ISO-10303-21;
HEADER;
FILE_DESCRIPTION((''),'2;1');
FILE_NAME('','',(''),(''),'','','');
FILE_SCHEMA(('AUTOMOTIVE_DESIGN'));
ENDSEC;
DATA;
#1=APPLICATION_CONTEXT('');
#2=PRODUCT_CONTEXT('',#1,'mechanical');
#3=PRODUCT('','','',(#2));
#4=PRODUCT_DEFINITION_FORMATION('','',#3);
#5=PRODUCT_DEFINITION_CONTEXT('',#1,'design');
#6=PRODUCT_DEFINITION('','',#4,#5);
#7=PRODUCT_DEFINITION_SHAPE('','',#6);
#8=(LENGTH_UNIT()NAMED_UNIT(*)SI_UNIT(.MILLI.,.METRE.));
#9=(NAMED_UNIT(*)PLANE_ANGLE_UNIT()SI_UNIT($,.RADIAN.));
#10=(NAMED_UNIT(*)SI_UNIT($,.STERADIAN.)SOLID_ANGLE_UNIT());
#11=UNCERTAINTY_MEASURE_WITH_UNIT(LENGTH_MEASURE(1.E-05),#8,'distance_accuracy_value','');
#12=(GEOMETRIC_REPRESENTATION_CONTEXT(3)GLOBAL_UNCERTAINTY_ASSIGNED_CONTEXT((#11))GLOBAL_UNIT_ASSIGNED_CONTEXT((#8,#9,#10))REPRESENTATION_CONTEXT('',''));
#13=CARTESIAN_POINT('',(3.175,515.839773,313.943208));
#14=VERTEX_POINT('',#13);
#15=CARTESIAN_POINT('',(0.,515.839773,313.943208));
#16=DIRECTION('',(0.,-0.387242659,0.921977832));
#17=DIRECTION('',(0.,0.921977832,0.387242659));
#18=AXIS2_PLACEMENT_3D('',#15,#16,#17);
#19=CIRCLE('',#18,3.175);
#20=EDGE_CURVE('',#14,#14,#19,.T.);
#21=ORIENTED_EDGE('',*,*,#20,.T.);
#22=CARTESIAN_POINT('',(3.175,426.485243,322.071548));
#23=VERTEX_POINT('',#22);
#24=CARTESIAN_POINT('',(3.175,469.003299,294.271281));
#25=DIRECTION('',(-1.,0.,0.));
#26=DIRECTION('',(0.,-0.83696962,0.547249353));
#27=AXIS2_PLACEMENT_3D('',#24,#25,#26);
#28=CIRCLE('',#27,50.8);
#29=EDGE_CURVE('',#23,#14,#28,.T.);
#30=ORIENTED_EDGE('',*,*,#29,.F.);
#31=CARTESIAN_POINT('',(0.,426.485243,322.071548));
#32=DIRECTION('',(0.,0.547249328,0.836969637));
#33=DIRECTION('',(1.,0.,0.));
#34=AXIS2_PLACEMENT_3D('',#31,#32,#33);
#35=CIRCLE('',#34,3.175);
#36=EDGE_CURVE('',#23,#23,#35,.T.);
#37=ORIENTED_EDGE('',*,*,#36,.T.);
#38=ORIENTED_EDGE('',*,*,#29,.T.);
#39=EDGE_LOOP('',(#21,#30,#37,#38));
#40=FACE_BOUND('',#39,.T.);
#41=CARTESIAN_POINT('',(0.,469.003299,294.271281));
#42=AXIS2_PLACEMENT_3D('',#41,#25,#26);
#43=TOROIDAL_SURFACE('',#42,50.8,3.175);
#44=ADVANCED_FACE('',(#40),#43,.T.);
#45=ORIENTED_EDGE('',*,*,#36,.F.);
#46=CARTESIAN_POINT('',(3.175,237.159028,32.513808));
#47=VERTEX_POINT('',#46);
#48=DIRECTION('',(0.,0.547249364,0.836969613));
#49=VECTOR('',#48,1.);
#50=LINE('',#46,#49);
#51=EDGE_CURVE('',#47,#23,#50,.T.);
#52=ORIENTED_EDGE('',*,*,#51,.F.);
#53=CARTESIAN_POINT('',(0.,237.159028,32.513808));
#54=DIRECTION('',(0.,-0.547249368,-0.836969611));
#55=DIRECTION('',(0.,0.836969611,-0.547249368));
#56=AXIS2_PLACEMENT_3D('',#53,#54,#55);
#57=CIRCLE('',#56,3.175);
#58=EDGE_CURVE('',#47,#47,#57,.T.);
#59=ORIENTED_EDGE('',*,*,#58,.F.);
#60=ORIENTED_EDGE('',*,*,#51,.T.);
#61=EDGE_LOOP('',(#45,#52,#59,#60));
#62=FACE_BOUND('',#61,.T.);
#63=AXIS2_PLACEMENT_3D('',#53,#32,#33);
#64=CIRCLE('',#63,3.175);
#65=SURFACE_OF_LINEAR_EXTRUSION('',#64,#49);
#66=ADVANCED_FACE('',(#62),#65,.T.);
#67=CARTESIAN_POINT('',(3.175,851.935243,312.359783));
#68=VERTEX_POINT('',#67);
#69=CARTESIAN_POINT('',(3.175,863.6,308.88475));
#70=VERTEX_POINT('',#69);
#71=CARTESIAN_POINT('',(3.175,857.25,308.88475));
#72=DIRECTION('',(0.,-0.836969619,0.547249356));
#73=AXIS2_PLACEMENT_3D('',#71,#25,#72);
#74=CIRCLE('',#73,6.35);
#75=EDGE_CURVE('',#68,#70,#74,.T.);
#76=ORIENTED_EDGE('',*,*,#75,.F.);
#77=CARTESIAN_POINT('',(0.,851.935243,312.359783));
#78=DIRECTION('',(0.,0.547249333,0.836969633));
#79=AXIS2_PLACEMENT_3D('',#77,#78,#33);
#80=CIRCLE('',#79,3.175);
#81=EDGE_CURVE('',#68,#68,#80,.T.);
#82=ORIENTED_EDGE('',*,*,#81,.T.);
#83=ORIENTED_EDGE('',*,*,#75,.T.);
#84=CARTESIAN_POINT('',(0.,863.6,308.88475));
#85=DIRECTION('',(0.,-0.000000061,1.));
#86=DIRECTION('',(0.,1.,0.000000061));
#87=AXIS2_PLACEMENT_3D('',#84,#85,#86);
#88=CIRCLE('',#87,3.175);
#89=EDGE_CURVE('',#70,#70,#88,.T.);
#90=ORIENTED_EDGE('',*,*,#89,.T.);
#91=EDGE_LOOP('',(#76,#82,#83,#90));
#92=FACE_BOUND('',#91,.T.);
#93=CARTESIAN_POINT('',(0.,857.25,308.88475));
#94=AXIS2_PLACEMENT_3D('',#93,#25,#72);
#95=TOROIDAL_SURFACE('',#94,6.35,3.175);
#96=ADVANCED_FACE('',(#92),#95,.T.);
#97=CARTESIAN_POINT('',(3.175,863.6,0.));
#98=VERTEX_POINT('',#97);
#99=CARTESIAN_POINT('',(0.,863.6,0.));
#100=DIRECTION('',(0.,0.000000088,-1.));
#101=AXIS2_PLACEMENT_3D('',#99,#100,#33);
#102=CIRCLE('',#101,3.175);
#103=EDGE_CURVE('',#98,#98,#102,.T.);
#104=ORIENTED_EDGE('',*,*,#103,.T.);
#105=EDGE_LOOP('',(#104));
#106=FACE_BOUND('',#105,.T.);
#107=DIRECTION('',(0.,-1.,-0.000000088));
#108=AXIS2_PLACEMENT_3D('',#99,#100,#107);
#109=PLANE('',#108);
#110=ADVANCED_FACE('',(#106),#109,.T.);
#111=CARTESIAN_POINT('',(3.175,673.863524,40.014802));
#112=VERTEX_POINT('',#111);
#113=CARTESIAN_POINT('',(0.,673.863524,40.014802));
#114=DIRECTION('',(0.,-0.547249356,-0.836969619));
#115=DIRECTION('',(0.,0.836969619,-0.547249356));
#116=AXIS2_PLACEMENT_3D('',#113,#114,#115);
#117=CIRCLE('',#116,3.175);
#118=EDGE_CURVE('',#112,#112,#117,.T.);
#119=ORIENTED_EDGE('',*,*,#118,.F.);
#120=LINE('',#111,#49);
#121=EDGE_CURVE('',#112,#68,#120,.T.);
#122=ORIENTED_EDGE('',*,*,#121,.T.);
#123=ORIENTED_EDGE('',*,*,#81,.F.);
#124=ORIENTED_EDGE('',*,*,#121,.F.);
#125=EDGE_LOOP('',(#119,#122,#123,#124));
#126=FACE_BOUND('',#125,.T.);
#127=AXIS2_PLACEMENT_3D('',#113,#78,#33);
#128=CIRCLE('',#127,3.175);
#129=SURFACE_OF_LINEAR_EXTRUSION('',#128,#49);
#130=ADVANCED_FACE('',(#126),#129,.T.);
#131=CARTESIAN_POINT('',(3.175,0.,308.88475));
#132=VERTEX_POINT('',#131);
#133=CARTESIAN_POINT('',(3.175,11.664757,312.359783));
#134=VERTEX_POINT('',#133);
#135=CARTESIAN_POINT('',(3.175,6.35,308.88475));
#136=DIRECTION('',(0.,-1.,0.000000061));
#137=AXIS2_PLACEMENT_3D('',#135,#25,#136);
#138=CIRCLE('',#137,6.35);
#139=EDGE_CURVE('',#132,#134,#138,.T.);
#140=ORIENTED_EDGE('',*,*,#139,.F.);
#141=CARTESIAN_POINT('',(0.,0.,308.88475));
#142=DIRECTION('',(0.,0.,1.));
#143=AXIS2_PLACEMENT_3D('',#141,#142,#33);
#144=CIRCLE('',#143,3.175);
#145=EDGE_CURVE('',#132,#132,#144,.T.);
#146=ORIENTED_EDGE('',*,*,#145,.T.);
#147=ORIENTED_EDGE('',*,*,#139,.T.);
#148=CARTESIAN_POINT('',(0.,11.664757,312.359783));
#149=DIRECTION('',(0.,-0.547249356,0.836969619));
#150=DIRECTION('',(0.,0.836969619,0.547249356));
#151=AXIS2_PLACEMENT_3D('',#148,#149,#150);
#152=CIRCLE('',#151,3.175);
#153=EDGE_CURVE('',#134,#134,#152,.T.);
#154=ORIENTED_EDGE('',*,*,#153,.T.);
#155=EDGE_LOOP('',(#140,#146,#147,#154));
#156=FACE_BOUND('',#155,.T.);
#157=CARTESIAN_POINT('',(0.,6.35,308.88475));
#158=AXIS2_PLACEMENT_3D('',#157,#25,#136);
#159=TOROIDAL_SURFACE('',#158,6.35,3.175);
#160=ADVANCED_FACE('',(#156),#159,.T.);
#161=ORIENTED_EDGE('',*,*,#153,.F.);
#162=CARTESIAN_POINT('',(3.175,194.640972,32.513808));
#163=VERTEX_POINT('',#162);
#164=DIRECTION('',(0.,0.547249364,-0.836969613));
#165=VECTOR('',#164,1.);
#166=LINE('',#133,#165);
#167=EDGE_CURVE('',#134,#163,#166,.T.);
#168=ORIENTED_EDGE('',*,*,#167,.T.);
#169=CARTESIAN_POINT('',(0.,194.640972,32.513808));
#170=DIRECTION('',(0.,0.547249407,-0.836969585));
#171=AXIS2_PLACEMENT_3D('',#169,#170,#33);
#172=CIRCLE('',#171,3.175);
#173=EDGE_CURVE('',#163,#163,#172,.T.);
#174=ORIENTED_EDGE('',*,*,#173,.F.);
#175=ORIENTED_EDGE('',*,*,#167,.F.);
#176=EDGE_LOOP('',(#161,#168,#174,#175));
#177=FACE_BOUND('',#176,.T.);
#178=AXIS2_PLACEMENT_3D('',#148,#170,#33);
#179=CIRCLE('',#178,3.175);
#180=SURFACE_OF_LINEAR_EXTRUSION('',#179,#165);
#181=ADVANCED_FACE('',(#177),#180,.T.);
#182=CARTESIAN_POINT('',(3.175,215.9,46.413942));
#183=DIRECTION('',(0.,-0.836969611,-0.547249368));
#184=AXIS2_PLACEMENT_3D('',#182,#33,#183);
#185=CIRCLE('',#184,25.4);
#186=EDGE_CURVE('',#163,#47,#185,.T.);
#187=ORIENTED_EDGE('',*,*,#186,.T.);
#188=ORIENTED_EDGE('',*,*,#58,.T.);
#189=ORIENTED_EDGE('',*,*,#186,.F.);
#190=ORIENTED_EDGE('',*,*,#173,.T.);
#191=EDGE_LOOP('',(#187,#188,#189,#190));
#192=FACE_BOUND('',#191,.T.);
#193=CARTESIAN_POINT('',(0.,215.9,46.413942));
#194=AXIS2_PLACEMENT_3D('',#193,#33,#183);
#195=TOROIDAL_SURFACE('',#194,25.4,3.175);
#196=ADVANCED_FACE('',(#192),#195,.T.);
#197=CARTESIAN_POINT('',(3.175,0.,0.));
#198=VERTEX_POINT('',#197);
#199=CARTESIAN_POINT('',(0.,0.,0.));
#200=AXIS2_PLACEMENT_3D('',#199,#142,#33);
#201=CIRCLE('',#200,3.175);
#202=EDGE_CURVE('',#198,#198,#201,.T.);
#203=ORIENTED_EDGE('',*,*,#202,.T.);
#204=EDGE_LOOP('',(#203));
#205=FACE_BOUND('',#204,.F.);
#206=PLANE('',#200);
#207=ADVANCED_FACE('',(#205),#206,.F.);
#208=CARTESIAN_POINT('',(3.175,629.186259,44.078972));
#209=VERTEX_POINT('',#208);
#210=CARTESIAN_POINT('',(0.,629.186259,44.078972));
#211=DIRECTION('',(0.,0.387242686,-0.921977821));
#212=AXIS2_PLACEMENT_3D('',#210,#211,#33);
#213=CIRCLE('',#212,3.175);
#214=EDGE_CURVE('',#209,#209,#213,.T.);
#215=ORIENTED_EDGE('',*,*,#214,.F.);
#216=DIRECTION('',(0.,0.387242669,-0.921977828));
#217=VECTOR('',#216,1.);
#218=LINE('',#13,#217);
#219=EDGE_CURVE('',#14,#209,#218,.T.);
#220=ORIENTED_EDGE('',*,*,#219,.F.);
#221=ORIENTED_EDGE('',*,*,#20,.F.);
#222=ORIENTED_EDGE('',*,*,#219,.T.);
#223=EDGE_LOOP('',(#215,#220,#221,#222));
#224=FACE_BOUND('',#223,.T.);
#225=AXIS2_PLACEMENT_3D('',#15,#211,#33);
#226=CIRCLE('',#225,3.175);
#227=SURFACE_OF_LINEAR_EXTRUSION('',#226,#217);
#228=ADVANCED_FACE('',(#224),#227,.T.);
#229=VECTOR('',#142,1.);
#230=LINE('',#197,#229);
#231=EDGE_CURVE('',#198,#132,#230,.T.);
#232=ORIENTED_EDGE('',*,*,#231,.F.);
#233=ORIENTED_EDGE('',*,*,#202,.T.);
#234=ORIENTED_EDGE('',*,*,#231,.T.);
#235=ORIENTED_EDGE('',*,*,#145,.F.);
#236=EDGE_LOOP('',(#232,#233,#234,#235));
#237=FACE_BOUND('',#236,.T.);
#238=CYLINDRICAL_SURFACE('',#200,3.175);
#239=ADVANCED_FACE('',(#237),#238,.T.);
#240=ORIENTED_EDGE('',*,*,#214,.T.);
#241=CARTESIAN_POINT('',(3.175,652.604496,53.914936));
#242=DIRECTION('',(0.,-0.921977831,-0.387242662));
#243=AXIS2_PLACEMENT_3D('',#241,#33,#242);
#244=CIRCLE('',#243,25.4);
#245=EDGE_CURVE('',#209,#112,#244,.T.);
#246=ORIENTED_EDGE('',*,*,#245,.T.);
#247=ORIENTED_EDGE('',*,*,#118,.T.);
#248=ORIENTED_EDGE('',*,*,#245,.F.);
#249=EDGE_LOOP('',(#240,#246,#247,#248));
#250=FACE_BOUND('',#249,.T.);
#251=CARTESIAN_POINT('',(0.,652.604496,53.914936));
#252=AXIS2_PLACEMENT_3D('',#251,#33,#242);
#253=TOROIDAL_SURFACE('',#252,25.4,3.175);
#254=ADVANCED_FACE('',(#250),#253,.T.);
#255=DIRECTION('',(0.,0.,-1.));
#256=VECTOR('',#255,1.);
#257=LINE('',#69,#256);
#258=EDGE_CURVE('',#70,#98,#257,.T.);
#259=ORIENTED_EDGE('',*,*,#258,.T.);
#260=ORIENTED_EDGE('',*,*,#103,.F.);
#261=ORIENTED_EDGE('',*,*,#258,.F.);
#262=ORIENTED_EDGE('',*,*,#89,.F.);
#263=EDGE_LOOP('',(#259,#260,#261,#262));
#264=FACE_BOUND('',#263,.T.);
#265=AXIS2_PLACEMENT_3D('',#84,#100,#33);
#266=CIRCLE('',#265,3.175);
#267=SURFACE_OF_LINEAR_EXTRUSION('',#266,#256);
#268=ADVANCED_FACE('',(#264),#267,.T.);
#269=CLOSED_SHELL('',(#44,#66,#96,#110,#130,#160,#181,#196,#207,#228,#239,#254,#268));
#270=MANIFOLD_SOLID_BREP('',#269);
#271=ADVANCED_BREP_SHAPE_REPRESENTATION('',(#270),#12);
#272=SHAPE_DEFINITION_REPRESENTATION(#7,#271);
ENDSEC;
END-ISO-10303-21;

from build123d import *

# Parameters (mm, degrees)
F1_R = 3.175


with BuildPart() as f2:
    # F2: sweep along a path in F0
    with BuildLine(Plane.YZ) as f2_path:
        Line((0, 0), (0, 308.88475))
        ThreePointArc((0, 308.88475), (4.53702, 314.970438), (11.664757, 312.359783))
        Line((11.664757, 312.359783), (194.640972, 32.513808))
        ThreePointArc((194.640972, 32.513808), (215.9, 21.013942), (237.159028, 32.513808))
        Line((237.159028, 32.513808), (426.485243, 322.071548))
        ThreePointArc((426.485243, 322.071548), (473.605436, 344.86239), (515.839773, 313.943208))
        Line((515.839773, 313.943208), (629.186259, 44.078972))
        ThreePointArc((629.186259, 44.078972), (650.303428, 28.619381), (673.863524, 40.014802))
        Line((673.863524, 40.014802), (851.935243, 312.359783))
        ThreePointArc((851.935243, 312.359783), (859.06298, 314.970438), (863.6, 308.88475))
        Line((863.6, 308.88475), (863.6, 0))
    # F1 (on Top) → F2 (sweep)
    with BuildSketch(Plane.XY):
        Circle(F1_R)
    sweep(path=f2_path.line)


solid = f2.part
